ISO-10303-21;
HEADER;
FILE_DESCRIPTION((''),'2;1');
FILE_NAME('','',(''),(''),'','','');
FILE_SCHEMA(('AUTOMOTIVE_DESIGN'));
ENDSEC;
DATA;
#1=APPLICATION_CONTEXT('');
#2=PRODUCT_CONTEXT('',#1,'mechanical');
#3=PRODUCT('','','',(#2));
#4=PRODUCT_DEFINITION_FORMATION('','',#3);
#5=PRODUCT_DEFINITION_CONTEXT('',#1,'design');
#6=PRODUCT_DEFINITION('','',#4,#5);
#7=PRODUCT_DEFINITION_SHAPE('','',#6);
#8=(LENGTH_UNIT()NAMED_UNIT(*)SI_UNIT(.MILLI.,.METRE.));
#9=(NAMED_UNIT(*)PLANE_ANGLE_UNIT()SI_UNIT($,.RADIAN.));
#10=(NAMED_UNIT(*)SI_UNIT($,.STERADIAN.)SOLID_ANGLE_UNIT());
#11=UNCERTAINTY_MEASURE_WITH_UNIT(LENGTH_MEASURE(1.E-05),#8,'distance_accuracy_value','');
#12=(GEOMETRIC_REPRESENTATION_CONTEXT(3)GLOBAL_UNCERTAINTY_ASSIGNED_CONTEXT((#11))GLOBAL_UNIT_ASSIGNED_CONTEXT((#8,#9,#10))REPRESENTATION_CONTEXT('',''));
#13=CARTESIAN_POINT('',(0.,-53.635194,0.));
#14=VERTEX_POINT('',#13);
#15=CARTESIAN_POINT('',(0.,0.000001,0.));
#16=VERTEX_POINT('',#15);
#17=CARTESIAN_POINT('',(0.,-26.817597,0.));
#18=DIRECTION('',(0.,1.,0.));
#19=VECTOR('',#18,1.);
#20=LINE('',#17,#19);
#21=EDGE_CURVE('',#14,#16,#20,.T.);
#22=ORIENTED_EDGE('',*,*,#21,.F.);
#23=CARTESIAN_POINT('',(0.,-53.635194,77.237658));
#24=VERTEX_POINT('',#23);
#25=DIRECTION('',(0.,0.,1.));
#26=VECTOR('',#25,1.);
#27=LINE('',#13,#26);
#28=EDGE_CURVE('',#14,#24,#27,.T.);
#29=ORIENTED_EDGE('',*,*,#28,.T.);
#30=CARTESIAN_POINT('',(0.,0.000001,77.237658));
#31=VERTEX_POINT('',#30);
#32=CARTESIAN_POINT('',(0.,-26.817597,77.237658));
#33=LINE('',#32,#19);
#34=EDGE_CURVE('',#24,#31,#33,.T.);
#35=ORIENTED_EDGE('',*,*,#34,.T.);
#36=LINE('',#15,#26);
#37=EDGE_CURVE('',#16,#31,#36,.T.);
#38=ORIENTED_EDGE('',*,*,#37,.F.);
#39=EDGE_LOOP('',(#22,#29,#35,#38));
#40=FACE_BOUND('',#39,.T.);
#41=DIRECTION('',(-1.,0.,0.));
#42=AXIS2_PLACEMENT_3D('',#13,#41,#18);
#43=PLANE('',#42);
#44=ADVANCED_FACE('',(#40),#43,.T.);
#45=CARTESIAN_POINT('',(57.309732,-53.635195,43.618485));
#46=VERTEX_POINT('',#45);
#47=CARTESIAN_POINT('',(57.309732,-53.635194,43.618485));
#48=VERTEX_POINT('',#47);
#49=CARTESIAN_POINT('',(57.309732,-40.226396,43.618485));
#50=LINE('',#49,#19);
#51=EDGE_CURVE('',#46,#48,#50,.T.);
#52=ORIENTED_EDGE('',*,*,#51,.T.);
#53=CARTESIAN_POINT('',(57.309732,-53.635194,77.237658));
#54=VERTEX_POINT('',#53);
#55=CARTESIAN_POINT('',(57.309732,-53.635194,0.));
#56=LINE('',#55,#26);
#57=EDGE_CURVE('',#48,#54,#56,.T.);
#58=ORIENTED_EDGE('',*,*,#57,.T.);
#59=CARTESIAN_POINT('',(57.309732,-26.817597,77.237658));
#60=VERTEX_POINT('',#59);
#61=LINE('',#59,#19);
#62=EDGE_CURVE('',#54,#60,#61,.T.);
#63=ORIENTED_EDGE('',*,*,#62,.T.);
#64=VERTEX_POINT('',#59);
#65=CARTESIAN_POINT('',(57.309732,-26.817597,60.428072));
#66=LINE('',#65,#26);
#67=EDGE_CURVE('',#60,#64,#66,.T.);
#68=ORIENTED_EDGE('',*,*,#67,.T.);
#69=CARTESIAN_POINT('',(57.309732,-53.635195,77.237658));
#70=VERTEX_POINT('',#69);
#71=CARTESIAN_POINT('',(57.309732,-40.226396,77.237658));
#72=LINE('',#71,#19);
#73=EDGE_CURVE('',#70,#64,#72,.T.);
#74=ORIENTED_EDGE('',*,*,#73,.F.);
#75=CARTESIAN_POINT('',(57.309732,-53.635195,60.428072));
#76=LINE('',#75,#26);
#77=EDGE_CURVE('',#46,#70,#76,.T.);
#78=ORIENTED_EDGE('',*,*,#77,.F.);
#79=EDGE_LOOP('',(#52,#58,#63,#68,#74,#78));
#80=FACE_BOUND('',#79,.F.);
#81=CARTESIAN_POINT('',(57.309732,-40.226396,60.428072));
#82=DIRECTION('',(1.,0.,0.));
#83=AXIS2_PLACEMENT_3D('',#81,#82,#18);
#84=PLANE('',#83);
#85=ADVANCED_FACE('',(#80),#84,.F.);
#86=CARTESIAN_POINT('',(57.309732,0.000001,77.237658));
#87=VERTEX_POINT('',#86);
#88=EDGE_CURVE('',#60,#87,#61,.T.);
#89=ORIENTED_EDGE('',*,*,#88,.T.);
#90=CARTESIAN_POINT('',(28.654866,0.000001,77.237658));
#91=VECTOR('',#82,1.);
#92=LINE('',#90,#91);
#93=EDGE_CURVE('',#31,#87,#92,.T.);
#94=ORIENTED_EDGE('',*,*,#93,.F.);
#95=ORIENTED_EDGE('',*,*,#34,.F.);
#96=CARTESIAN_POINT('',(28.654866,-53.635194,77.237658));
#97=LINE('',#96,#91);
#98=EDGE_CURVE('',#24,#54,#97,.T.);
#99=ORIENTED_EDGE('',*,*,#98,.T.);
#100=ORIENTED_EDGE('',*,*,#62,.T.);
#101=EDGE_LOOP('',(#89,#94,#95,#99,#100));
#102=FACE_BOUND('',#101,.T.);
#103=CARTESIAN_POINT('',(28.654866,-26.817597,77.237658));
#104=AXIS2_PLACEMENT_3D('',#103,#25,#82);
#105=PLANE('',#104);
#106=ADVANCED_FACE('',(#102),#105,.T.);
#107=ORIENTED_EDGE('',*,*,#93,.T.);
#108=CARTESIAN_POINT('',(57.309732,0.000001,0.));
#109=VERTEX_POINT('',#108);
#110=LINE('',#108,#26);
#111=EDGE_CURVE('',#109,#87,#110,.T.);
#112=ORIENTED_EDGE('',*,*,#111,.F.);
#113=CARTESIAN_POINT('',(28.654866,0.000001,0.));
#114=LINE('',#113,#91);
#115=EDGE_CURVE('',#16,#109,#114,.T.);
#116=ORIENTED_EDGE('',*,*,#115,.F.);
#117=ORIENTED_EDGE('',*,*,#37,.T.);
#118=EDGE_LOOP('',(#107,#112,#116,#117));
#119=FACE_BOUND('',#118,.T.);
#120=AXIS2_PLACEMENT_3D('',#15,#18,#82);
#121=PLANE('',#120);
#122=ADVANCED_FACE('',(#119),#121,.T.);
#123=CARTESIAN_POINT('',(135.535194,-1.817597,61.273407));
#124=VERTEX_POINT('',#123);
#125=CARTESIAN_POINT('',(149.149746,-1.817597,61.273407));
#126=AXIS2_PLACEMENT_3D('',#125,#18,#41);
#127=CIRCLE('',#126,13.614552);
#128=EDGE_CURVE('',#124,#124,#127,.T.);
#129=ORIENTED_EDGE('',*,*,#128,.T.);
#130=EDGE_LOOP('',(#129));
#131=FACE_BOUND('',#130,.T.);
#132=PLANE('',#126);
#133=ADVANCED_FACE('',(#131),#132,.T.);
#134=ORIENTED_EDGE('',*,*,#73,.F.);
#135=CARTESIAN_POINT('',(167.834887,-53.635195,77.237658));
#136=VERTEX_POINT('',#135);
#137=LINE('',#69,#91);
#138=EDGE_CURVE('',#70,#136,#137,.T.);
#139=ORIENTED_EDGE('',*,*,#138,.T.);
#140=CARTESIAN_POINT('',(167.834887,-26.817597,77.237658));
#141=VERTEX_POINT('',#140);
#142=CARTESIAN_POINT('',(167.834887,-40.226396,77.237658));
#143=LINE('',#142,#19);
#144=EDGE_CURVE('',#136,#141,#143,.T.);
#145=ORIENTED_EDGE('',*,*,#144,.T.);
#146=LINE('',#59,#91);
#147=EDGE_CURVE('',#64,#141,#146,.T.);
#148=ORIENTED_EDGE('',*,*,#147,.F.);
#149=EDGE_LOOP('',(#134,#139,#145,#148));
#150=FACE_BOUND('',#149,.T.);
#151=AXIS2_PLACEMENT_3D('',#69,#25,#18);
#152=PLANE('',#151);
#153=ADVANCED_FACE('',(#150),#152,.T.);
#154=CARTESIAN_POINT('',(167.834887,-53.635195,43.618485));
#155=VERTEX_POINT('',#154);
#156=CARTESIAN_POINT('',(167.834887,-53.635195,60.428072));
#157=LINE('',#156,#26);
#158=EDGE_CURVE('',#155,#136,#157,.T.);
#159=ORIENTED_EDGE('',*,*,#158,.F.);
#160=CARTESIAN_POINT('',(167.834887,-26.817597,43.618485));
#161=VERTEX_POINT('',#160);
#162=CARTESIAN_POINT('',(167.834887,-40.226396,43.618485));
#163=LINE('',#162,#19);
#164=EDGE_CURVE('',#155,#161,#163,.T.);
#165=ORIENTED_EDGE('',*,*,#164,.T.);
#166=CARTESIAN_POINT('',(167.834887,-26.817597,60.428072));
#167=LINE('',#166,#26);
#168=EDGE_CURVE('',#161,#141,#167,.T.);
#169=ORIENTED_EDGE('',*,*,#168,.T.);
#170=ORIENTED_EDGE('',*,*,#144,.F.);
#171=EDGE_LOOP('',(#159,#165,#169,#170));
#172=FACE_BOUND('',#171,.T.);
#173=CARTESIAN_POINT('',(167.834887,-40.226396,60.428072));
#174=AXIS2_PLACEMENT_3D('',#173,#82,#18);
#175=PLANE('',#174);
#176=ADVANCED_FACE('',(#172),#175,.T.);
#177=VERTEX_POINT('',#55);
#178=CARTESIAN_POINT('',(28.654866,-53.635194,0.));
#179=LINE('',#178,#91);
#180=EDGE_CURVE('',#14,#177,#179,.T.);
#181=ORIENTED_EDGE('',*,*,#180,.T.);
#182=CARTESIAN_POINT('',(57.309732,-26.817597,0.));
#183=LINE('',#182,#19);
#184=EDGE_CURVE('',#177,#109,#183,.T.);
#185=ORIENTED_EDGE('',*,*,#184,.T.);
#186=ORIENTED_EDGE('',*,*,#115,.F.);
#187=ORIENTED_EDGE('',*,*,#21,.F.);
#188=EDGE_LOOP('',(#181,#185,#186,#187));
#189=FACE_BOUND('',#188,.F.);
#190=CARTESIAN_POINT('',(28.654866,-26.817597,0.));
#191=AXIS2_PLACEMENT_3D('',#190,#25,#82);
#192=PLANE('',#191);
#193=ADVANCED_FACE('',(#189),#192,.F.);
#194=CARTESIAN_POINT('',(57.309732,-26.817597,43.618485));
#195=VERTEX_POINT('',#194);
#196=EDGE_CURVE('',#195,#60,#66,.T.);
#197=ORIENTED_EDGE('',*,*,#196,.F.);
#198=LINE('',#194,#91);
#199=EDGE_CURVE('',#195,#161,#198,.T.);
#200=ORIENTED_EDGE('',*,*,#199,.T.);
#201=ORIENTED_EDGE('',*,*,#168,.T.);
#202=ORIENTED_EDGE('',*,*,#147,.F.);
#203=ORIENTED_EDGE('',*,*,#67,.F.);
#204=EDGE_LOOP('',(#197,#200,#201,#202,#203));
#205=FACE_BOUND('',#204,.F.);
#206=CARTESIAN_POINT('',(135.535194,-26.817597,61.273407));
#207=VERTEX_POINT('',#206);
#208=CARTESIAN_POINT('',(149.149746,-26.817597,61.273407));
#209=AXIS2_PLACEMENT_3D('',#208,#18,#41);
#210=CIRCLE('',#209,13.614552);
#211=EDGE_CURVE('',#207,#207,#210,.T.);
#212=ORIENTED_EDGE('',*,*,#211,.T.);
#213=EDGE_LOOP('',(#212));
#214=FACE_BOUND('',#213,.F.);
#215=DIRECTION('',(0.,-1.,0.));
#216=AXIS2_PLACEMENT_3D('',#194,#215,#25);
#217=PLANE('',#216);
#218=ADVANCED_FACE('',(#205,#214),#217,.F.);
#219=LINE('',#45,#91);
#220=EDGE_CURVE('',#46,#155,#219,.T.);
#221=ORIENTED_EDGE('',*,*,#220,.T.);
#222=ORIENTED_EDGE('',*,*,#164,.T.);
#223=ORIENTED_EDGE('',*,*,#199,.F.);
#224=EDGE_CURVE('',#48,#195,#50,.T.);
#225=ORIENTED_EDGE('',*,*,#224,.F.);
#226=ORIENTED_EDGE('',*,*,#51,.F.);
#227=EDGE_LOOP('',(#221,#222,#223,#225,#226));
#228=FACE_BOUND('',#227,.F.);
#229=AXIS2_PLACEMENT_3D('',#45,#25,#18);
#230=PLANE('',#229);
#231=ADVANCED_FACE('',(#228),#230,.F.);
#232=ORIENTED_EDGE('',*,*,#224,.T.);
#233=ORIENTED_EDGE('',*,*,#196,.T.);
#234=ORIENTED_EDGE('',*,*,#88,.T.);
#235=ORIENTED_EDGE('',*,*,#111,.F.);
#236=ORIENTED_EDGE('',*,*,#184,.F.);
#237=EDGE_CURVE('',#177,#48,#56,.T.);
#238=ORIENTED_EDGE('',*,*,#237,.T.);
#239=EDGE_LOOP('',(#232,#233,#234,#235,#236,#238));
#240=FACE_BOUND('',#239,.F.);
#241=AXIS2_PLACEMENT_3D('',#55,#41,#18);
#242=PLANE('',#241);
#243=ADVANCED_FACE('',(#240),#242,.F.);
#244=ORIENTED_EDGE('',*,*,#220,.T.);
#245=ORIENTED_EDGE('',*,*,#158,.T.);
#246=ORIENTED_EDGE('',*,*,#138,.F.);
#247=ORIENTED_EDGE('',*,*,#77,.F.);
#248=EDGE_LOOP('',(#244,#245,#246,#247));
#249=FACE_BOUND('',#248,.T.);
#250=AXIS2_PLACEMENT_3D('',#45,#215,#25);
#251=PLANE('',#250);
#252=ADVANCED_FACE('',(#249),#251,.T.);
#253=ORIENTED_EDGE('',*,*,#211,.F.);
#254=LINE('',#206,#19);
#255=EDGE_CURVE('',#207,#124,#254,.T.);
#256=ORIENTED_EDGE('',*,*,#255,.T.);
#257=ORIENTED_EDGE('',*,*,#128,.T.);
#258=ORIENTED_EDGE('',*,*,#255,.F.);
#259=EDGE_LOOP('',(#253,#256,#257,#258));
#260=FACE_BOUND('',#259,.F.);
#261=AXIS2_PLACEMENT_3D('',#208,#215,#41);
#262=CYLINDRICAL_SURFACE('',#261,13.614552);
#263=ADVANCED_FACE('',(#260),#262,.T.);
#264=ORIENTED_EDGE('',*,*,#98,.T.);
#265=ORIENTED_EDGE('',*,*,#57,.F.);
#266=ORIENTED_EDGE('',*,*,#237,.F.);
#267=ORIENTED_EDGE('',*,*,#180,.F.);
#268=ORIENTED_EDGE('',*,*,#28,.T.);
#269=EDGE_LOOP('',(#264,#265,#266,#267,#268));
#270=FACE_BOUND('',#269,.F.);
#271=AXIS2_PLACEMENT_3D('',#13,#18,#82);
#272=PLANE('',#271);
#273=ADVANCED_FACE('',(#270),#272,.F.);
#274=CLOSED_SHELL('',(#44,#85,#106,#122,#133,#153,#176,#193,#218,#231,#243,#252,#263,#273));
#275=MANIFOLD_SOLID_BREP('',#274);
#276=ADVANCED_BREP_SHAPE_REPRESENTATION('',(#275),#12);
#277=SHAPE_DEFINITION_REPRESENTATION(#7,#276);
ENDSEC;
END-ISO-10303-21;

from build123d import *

# Parameters (mm, degrees)
F0_W     = 57.309732
F0_H     = 53.635195
F1_DEPTH = 77.237658
F2_W     = 26.817598
F2_H     = 33.619173
F3_DEPTH = 110.525155
F4_R     = 13.614552
F5_DEPTH = 25


with BuildPart() as f1:
    # F0 (on Top) → F1 (new body)
    with BuildSketch(Plane.XY):
        with Locations((28.654866, -26.817597)):
            Rectangle(F0_W, F0_H)
    extrude(amount=F1_DEPTH)

    # F2 (on face) → F3 (join)
    with BuildSketch(Plane.YZ.offset(57.309732)):
        with Locations((-40.226396, 60.428072)):
            Rectangle(F2_W, F2_H)
    extrude(amount=F3_DEPTH)

    # F4 (on face) → F5 (join)
    with BuildSketch(Plane(origin=(0, -26.817597, 0), x_dir=(-1, 0, 0), z_dir=(0, 1, 0))):
        with Locations((-149.149746, 61.273407)):
            Circle(F4_R)
    extrude(amount=F5_DEPTH)


solid = f1.part
